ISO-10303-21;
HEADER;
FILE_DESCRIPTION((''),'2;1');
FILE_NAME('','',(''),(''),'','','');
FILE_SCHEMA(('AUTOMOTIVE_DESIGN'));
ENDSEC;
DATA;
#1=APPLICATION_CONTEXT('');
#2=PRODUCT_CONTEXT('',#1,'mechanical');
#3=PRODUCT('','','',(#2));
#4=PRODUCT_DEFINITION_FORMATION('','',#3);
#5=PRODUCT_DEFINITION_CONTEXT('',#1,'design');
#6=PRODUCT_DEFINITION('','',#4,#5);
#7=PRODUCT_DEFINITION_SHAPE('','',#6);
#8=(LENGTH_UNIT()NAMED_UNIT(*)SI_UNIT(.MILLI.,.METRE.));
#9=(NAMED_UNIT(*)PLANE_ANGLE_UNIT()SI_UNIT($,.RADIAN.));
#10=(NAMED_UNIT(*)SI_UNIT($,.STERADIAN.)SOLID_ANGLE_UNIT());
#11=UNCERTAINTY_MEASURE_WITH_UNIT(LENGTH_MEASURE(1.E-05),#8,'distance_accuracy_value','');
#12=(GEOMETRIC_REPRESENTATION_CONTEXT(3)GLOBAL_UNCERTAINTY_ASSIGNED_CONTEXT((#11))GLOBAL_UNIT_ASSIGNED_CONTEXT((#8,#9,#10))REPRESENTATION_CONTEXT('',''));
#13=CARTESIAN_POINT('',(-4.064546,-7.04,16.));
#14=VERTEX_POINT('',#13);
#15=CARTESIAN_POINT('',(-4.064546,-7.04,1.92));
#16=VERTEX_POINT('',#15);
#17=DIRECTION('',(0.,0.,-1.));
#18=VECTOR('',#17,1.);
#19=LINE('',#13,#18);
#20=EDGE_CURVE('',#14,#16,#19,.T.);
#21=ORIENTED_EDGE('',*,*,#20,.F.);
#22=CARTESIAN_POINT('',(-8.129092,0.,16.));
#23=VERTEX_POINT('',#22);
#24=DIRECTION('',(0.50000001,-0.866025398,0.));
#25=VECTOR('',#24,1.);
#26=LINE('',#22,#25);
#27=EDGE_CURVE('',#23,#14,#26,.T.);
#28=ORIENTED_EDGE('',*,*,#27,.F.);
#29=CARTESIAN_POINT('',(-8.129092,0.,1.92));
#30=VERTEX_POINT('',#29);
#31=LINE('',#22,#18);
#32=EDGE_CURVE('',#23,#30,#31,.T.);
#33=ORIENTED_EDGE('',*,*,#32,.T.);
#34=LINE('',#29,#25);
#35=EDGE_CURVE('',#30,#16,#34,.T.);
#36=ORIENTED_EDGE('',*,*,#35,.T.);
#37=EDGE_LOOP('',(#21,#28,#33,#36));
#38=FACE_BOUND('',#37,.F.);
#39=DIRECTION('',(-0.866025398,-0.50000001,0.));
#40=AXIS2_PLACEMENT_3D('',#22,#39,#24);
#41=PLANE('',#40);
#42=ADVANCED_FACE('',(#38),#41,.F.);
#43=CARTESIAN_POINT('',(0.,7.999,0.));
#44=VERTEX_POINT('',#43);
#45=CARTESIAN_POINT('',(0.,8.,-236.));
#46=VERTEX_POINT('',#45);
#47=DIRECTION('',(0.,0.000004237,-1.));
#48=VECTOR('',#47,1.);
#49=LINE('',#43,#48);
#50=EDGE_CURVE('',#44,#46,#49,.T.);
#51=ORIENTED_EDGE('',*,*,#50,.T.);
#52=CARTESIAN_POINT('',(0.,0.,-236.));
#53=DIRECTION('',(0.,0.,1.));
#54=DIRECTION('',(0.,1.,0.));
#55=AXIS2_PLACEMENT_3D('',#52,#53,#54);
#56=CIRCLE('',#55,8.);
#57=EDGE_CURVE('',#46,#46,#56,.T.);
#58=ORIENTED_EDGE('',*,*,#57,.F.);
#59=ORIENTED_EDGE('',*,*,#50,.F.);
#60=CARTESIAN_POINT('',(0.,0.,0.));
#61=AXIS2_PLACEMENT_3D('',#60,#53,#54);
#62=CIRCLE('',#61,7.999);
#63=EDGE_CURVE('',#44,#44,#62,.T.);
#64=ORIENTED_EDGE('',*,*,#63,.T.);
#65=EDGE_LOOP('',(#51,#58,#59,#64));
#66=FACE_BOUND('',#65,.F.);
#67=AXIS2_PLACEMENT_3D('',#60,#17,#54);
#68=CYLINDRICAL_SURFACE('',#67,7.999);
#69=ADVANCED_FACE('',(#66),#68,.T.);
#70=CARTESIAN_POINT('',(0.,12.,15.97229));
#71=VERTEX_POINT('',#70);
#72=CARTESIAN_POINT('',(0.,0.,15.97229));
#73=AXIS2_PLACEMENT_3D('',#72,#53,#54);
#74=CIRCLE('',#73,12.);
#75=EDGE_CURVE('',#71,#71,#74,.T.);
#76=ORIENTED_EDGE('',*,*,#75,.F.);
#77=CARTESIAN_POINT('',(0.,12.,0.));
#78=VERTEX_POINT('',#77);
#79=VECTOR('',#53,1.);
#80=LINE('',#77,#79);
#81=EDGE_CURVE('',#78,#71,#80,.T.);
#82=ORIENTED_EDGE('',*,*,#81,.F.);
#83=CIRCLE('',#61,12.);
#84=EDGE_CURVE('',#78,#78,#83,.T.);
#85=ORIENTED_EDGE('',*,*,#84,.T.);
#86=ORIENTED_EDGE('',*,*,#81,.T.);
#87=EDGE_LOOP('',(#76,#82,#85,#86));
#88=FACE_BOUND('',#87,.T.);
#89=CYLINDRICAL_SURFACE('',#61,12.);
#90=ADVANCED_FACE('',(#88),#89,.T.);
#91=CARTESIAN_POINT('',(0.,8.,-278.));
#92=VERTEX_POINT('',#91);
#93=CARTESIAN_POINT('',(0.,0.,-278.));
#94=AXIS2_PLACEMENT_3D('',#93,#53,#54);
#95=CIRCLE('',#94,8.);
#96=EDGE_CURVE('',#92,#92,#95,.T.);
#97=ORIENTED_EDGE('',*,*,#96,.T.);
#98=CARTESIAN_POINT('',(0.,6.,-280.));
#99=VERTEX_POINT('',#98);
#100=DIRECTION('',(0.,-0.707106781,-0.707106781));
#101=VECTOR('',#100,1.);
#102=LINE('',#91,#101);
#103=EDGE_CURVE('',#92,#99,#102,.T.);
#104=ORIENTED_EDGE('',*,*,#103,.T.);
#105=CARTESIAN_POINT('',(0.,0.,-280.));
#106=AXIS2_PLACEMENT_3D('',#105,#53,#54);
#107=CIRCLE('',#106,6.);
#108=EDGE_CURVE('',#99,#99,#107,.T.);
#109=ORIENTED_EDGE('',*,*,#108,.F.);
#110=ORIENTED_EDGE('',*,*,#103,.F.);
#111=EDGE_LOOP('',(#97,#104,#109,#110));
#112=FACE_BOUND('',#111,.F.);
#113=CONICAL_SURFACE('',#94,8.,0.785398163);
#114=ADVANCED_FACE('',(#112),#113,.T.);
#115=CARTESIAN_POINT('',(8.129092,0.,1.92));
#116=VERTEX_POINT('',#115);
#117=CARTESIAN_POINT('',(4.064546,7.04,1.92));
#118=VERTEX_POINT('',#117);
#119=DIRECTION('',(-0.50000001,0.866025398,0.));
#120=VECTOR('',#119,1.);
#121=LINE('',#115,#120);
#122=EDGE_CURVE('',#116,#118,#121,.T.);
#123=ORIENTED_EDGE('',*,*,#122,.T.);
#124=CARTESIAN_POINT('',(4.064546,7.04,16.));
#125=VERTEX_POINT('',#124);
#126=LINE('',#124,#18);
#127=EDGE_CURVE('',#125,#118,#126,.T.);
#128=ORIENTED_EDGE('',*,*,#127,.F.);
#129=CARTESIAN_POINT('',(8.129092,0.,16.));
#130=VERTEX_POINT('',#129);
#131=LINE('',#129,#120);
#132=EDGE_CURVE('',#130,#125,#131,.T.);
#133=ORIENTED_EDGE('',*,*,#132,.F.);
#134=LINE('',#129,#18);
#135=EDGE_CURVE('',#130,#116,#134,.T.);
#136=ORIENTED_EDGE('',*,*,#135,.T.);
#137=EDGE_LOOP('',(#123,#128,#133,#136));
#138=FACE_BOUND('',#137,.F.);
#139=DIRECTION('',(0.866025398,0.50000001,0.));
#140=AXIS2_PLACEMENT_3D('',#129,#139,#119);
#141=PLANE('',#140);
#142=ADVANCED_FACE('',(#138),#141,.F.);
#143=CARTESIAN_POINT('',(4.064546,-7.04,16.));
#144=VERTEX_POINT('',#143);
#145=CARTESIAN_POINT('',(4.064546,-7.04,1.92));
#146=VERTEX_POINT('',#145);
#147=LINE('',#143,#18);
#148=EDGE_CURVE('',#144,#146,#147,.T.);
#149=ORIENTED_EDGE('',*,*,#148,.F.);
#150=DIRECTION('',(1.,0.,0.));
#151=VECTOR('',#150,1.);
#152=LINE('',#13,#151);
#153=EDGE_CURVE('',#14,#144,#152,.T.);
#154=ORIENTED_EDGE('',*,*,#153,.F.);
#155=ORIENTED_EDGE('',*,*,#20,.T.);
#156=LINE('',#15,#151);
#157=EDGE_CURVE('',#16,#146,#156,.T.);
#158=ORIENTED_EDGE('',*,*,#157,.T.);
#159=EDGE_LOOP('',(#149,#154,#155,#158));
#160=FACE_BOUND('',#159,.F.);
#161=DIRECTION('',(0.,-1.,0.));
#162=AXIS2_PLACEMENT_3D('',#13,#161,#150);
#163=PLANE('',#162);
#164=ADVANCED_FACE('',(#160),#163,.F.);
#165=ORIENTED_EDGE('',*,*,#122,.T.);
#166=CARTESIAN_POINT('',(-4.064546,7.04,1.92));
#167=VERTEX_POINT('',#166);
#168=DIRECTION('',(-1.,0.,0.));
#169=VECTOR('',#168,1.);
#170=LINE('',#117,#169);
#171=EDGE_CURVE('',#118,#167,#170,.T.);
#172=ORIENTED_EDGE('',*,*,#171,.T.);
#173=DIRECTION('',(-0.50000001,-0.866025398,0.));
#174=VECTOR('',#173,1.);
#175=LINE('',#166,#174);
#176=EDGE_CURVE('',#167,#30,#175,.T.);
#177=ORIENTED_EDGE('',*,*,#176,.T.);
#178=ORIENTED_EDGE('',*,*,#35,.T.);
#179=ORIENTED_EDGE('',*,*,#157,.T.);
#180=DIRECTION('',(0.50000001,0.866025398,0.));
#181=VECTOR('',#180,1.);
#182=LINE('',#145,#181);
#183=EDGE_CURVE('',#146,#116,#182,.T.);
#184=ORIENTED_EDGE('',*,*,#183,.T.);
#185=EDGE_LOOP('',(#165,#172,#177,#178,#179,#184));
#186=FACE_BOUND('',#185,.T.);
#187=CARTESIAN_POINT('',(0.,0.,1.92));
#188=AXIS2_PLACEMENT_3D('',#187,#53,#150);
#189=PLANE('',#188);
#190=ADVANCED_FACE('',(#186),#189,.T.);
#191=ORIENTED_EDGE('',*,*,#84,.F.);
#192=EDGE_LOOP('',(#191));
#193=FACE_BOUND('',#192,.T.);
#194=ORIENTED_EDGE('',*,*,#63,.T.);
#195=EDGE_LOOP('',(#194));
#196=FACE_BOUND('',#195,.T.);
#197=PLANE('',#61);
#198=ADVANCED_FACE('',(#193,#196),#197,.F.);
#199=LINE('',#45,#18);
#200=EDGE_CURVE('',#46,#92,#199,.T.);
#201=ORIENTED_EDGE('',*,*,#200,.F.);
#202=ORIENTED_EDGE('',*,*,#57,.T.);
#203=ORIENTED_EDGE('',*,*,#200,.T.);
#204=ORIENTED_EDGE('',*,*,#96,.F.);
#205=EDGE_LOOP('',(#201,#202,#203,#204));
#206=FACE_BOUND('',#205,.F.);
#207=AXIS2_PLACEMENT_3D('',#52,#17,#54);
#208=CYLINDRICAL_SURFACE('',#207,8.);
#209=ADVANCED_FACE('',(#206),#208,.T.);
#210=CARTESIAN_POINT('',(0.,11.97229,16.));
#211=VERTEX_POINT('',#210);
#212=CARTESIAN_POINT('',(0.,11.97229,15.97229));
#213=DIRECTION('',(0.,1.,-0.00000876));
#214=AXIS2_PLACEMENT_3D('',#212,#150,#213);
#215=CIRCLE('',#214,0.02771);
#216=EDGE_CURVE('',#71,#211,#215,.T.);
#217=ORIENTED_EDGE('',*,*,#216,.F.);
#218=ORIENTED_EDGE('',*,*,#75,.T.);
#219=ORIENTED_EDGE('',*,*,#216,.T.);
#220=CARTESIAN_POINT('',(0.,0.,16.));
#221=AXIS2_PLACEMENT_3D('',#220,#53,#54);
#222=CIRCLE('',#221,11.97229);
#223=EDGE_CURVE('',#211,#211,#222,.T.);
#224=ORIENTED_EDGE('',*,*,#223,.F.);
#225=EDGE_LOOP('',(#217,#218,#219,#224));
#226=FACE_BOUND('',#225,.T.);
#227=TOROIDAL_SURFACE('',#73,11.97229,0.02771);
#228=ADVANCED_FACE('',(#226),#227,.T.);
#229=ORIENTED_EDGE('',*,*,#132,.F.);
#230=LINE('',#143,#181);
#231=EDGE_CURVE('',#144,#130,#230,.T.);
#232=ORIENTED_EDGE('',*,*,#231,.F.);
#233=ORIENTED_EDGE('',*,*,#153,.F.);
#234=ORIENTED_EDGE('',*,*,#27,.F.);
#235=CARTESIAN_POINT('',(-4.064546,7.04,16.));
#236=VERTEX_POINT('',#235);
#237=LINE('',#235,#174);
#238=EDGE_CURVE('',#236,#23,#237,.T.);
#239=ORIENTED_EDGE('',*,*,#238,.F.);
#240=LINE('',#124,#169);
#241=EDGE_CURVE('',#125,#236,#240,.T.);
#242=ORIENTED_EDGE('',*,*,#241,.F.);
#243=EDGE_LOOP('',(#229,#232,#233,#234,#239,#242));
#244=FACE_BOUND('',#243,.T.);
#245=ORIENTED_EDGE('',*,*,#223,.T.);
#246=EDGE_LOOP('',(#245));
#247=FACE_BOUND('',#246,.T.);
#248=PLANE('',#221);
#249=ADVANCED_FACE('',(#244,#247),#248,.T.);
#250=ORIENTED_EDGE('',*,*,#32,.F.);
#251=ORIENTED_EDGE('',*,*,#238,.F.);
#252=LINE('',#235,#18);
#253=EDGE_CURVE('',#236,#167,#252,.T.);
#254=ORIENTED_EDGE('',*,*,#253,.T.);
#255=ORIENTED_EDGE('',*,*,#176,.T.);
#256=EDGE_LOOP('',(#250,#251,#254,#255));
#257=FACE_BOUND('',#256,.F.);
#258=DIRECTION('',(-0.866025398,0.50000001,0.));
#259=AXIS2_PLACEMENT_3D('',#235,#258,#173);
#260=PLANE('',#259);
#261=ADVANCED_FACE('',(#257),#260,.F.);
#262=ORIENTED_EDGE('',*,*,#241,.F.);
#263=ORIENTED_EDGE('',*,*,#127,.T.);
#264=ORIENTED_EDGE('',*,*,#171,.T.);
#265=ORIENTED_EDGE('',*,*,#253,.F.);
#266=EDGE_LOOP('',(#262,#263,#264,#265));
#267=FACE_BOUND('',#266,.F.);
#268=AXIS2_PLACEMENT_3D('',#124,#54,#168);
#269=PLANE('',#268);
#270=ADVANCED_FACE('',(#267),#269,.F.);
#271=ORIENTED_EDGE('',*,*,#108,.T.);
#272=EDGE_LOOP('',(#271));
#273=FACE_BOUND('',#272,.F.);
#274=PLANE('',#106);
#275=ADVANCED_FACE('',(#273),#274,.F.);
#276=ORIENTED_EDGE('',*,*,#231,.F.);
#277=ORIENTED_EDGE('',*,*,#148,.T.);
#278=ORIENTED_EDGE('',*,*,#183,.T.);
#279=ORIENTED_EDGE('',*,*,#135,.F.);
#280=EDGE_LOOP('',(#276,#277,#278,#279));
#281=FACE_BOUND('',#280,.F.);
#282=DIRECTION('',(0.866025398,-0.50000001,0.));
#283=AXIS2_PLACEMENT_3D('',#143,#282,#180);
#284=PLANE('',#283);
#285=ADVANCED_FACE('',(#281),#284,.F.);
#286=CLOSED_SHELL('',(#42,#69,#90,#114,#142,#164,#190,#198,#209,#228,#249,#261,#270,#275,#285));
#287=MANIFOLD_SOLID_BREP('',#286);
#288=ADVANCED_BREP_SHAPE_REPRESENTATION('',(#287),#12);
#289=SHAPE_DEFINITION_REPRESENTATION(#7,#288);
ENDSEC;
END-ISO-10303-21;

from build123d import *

# Parameters (mm, degrees)
POCKET_DEPTH = 14.08


with BuildPart() as part:
    # Sketch → Revolve (revolve)
    with BuildSketch(Plane.YZ):
        with BuildLine():
            Line((7.999, 0), (12, 0))
            Line((12, 0), (12, 15.97229))
            ThreePointArc((12, 15.97229), (11.991884, 15.991884), (11.97229, 16))
            Line((11.97229, 16), (0, 16))
            Line((0, -280), (0, 16))
            Line((6, -280), (0, -280))
            Line((8, -278), (6, -280))
            Line((8, -236), (8, -278))
            Line((7.999, 0), (8, -236))
        make_face()
    revolve(axis=Axis((0, 0, 0), (0, 0, 1)))

    # Sketch001 → Pocket (cut)
    with BuildSketch(Plane.XY.offset(16)):
        Polygon((8.129092, 0), (4.064546, 7.04), (-4.064546, 7.04), (-8.129092, 0), (-4.064546, -7.04), (4.064546, -7.04), align=None)
    extrude(amount=-POCKET_DEPTH, mode=Mode.SUBTRACT)


solid = part.part
